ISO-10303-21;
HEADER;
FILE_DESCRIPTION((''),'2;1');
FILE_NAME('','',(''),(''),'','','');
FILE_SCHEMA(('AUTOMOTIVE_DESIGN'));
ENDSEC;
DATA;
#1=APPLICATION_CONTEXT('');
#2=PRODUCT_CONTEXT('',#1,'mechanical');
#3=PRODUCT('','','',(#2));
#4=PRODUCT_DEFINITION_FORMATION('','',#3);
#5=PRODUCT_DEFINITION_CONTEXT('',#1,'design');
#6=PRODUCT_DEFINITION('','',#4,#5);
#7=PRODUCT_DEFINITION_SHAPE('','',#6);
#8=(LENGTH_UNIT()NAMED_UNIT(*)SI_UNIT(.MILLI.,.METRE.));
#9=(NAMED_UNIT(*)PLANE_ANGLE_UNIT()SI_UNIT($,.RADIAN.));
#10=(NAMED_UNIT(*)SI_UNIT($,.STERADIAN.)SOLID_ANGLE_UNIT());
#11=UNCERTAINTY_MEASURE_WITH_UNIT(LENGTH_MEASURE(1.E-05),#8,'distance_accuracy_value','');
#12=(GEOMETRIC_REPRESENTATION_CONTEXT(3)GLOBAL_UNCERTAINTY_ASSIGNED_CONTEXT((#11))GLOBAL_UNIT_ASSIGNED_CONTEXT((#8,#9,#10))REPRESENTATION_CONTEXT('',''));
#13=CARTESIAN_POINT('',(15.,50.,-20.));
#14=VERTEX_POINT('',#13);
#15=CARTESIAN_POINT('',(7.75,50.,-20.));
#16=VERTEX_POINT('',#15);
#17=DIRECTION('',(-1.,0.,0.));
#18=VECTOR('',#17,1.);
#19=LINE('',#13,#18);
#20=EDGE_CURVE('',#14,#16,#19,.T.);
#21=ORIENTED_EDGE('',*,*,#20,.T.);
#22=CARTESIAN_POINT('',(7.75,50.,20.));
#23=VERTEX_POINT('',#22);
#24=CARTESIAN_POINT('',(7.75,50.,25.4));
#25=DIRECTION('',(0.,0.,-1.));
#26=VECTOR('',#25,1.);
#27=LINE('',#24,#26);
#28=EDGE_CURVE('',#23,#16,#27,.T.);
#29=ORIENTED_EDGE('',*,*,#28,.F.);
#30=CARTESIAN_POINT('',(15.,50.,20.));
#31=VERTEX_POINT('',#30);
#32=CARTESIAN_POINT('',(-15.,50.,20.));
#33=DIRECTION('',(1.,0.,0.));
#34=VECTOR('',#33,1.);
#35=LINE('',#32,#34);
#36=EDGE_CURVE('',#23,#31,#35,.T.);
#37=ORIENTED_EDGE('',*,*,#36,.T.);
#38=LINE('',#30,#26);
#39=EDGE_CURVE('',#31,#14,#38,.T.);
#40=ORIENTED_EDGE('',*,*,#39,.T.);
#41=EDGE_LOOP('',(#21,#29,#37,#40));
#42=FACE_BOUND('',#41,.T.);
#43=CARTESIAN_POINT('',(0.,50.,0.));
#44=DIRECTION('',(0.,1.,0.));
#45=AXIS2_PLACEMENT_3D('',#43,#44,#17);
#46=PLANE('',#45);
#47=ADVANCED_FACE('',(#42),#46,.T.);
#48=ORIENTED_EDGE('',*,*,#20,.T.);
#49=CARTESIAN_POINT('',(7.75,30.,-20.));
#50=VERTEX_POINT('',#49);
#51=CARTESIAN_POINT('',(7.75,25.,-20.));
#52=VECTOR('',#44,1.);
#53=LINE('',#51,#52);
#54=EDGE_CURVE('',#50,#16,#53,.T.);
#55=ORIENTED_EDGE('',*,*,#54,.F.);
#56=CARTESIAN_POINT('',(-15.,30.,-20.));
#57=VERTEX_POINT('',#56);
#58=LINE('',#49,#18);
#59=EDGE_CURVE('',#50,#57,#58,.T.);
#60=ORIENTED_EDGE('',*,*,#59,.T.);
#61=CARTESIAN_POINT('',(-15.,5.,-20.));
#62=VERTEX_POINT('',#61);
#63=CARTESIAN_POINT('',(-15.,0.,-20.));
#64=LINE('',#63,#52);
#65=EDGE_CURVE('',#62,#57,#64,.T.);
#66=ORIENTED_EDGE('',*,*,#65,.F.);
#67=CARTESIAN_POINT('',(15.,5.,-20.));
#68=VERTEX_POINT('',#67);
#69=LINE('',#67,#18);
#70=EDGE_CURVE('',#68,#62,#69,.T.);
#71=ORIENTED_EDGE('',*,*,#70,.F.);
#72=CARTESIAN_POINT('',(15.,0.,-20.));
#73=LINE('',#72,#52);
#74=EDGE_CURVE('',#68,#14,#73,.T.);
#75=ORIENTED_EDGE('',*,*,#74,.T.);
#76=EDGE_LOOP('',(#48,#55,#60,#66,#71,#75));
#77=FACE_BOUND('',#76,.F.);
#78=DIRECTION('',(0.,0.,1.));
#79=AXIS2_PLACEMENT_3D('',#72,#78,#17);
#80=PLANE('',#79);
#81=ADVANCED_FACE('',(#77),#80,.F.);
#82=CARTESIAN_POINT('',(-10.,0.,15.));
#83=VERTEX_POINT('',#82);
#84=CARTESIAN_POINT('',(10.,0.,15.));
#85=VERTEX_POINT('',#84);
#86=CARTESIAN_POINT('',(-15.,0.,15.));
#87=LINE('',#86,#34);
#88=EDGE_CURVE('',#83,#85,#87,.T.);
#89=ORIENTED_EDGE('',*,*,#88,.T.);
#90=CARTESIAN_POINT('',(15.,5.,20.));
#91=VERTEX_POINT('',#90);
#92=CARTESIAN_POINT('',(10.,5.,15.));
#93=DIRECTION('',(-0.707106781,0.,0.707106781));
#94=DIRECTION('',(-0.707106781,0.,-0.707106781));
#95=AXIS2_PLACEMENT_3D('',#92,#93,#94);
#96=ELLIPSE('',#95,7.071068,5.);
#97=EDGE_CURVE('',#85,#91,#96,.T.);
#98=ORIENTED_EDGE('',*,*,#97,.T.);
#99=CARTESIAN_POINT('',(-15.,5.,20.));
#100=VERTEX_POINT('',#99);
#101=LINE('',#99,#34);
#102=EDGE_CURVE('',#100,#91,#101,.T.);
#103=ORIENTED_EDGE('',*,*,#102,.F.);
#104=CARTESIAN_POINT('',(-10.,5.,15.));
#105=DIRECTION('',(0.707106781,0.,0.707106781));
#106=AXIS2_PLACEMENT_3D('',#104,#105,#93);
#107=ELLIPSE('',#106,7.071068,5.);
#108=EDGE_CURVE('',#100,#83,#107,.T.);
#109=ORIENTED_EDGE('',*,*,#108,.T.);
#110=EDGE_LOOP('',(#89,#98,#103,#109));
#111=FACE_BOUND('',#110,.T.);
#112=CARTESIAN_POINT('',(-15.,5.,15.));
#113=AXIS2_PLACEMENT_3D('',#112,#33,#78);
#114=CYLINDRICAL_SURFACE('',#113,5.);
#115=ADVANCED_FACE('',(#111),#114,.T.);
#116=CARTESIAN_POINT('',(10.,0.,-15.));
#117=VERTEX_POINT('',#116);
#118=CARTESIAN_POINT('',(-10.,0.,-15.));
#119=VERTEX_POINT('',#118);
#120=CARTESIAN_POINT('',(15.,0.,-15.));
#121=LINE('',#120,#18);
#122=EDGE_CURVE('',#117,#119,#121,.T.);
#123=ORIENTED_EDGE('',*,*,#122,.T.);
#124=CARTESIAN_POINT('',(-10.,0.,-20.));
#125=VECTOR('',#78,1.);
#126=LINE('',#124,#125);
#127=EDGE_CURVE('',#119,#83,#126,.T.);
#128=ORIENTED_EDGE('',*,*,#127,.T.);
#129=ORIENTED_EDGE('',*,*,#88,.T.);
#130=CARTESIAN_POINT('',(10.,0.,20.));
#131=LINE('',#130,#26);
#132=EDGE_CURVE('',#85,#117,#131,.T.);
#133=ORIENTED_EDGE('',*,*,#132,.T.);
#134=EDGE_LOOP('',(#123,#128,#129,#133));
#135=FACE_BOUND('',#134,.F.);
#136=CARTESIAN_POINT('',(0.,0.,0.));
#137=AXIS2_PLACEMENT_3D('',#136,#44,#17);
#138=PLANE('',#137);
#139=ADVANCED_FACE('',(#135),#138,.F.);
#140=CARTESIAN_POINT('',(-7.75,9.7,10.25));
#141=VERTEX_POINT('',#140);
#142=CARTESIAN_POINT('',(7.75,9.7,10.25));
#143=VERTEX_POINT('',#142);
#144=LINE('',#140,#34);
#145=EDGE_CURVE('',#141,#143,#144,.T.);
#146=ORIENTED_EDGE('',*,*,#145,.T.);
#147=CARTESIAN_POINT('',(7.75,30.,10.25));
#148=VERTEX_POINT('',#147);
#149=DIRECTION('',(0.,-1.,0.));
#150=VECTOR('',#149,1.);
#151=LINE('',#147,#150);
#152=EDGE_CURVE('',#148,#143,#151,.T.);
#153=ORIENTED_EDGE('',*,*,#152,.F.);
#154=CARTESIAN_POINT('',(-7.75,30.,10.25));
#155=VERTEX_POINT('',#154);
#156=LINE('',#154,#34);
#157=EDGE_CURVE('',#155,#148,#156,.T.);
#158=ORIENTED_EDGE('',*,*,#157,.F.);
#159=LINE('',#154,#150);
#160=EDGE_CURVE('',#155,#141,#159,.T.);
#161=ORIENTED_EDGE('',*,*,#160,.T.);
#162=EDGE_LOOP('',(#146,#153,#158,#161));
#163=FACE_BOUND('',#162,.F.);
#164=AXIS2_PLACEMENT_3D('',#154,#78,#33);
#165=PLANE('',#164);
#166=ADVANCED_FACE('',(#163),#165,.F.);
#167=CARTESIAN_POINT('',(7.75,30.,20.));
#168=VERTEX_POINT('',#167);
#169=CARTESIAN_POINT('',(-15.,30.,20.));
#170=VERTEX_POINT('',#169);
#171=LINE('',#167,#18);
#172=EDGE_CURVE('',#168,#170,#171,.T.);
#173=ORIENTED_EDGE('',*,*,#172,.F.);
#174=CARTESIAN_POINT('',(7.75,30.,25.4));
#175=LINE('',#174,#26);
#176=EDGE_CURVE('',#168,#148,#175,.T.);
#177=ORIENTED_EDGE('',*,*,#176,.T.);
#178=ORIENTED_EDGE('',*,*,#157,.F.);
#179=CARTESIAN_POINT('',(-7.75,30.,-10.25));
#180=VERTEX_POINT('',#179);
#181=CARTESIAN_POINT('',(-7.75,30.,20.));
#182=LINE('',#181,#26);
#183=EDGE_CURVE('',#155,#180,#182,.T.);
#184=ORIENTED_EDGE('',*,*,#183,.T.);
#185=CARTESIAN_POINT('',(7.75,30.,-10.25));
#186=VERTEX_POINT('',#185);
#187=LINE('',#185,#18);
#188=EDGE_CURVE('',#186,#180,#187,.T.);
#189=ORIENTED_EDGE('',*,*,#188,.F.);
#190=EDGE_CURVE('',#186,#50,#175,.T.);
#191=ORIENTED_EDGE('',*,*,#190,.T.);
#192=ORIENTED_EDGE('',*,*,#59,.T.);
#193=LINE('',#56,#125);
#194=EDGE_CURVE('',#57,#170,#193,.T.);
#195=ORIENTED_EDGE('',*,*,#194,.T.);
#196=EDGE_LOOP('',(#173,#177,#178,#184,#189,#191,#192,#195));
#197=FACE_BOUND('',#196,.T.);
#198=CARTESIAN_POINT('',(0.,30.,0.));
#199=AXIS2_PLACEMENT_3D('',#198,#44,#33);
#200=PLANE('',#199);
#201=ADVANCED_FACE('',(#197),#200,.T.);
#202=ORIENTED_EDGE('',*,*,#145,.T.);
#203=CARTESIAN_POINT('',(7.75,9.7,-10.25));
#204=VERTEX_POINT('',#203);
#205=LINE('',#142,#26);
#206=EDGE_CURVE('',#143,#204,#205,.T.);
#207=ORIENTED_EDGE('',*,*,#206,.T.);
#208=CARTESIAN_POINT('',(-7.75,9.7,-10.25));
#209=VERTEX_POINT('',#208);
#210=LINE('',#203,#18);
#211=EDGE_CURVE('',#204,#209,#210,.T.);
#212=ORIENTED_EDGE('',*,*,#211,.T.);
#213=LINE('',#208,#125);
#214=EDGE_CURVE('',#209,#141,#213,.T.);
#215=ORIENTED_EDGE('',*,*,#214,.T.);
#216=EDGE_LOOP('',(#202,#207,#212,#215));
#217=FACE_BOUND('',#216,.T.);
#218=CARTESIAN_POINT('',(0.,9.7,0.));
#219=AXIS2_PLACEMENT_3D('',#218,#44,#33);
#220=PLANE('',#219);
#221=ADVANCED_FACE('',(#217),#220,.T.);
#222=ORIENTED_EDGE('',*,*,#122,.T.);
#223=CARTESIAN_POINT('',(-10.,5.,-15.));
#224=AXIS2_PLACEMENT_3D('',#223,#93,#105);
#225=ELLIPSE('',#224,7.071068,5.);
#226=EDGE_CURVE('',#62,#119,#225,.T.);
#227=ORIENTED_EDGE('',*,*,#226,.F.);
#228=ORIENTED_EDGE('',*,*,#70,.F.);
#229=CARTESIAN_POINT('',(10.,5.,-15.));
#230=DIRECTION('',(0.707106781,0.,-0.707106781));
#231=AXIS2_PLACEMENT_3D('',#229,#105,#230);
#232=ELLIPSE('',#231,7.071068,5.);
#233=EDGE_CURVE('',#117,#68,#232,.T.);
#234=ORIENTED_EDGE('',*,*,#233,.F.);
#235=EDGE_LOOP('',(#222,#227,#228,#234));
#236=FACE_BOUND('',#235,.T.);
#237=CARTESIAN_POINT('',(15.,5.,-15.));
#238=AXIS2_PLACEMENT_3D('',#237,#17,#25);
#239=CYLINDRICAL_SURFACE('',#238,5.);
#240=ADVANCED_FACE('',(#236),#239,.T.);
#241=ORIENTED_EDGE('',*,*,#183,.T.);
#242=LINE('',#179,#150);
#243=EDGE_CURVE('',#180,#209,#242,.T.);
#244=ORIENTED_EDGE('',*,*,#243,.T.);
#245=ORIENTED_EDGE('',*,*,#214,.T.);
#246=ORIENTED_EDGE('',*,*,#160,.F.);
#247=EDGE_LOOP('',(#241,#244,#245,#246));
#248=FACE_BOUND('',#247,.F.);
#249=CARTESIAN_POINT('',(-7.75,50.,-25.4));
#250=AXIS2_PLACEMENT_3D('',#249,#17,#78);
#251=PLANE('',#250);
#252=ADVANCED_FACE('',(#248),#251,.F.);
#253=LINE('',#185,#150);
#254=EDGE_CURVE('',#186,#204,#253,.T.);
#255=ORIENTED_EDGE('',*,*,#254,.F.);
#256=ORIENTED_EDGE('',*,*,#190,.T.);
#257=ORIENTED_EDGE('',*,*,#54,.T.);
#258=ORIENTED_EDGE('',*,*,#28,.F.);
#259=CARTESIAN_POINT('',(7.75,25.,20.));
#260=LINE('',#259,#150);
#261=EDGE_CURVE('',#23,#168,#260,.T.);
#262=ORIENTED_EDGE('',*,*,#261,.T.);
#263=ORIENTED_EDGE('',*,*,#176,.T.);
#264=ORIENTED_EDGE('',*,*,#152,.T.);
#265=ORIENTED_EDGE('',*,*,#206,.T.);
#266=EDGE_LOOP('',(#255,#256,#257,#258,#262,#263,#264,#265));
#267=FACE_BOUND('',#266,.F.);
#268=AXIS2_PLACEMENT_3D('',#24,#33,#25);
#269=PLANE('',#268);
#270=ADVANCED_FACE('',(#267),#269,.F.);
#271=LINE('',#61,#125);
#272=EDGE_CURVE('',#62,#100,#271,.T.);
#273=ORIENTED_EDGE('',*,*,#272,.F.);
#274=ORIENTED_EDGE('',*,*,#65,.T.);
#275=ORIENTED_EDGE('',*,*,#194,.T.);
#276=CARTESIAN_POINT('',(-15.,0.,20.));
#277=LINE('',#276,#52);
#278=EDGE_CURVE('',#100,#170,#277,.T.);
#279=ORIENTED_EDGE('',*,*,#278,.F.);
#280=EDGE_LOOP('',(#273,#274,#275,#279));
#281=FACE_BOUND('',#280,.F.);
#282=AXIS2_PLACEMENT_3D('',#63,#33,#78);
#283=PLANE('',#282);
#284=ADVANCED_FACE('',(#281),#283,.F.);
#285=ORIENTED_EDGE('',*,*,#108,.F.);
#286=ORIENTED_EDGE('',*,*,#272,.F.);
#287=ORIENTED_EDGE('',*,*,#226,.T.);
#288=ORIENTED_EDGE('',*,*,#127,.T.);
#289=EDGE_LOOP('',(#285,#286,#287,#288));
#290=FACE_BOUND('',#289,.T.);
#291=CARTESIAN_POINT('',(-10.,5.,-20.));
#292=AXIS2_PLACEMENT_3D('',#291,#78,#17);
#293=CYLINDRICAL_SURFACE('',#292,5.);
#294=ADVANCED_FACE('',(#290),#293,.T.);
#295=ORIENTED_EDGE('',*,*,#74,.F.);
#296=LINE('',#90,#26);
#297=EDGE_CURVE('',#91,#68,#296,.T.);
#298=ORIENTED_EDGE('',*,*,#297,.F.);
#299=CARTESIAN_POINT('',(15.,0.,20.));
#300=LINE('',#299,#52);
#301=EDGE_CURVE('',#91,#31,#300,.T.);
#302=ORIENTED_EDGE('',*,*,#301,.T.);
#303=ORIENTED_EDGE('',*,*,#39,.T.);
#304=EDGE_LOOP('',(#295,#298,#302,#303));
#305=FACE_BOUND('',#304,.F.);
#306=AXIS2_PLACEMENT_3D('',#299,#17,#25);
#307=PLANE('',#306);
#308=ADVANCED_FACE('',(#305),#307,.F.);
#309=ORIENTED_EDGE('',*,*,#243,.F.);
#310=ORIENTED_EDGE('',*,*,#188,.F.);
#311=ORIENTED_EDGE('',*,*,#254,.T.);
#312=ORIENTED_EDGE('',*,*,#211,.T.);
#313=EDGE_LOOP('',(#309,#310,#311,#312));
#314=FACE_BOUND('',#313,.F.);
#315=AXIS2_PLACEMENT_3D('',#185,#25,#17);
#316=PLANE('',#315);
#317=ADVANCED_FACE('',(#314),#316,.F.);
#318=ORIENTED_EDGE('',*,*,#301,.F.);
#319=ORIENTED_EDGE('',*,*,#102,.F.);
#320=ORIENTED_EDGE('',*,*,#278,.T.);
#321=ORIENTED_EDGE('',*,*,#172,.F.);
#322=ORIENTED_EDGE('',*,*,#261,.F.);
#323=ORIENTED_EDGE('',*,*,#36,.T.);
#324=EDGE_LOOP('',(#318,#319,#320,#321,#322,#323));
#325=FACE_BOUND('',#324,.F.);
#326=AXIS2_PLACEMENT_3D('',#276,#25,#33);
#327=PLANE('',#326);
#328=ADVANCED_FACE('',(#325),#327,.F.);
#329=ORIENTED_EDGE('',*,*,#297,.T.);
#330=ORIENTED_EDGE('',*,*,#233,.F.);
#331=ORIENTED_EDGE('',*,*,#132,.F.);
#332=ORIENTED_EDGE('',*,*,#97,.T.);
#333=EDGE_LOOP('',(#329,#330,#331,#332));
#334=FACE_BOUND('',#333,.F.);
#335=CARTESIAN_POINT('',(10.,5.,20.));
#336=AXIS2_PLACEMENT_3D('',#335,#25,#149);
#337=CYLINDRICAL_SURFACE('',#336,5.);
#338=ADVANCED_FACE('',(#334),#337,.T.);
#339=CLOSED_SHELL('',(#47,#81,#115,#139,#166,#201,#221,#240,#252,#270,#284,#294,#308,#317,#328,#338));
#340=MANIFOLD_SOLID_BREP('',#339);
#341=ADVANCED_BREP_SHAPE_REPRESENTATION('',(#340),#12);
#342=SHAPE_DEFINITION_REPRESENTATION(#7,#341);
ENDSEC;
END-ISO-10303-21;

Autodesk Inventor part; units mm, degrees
ref_plane "YZ Plane" through (0, 0, 0) normal (1, 0, 0) x (0, 1, 0)
ref_plane "XZ Plane" through (0, 0, 0) normal (0, 1, 0) x (-1, 0, 0)
ref_plane "XY Plane" through (0, 0, 0) normal (0, 0, 1) x (1, 0, 0)
sketch "Sketch1" plane through (0, 0, 0) normal (0, 1, 0) x (-1, 0, 0)
  line L0 (15, 20) -> (-15, 20)
  line L1 (-15, 20) -> (-15, -20)
  line L2 (-15, -20) -> (15, -20)
  line L3 (15, -20) -> (15, 20)
  line L4 (15, 20) -> (-15, -20) construction
  line L5 (-15, 20) -> (15, -20) construction
  point P0 (0, 0)
  dimension "d0" = 30
  dimension "d1" = 40
extrude "Extrusion1" add sketch "Sketch1" along normal blind 50
sketch "Sketch2" plane through (0, 50, 0) normal (0, 1, 0) x (1, 0, 0)
  line L0 (-7.75, -25.4) -> (7.75, -25.4)
  line L1 (7.75, -25.4) -> (7.75, 25.4)
  line L2 (7.75, 25.4) -> (-7.75, 25.4)
  line L3 (-7.75, 25.4) -> (-7.75, -25.4)
  line L4 (-7.75, -25.4) -> (7.75, 25.4) construction
  line L5 (7.75, -25.4) -> (-7.75, 25.4) construction
  point P0 (0, 0)
  dimension "d4" = 15.5
extrude "Extrusion2" cut sketch "Sketch2" against normal blind 20
sketch "Sketch3" plane through (0, 30, 0) normal (0, 1, 0) x (1, 0, 0)
  line L0 (-7.75, -10.25) -> (7.75, -10.25)
  line L1 (7.75, -10.25) -> (7.75, 10.25)
  line L2 (7.75, 10.25) -> (-7.75, 10.25)
  line L3 (-7.75, 10.25) -> (-7.75, -10.25)
  line L4 (-7.75, -10.25) -> (7.75, 10.25) construction
  line L5 (7.75, -10.25) -> (-7.75, 10.25) construction
  point P0 (0, 0)
  dimension "d7" = 15.5
  dimension "d8" = 20.5
extrude "Extrusion3" cut sketch "Sketch3" against normal blind 20.3
fillet "Fillet1" radius 5 4 edges at (15, 0, 0) (-15, 0, 0) (0, 0, 20) (0, 0, -20)
sketch "Sketch4" plane through (0, 50, 0) normal (0, 1, 0) x (1, 0, 0)
  line L0 (-7.75, -20) -> (-7.75, 20) projected
  line L1 (-7.75, 20) -> (-15, 20) projected
  line L2 (-15, 20) -> (-15, -20) projected
  line L3 (-15, -20) -> (-7.75, -20) projected
  point P0 (0, 0)
extrude "Extrusion4" cut sketch "Sketch4" against normal blind 20
properties part number "SEGURO DE GUIA DE TAPA PRINCIPAL"
